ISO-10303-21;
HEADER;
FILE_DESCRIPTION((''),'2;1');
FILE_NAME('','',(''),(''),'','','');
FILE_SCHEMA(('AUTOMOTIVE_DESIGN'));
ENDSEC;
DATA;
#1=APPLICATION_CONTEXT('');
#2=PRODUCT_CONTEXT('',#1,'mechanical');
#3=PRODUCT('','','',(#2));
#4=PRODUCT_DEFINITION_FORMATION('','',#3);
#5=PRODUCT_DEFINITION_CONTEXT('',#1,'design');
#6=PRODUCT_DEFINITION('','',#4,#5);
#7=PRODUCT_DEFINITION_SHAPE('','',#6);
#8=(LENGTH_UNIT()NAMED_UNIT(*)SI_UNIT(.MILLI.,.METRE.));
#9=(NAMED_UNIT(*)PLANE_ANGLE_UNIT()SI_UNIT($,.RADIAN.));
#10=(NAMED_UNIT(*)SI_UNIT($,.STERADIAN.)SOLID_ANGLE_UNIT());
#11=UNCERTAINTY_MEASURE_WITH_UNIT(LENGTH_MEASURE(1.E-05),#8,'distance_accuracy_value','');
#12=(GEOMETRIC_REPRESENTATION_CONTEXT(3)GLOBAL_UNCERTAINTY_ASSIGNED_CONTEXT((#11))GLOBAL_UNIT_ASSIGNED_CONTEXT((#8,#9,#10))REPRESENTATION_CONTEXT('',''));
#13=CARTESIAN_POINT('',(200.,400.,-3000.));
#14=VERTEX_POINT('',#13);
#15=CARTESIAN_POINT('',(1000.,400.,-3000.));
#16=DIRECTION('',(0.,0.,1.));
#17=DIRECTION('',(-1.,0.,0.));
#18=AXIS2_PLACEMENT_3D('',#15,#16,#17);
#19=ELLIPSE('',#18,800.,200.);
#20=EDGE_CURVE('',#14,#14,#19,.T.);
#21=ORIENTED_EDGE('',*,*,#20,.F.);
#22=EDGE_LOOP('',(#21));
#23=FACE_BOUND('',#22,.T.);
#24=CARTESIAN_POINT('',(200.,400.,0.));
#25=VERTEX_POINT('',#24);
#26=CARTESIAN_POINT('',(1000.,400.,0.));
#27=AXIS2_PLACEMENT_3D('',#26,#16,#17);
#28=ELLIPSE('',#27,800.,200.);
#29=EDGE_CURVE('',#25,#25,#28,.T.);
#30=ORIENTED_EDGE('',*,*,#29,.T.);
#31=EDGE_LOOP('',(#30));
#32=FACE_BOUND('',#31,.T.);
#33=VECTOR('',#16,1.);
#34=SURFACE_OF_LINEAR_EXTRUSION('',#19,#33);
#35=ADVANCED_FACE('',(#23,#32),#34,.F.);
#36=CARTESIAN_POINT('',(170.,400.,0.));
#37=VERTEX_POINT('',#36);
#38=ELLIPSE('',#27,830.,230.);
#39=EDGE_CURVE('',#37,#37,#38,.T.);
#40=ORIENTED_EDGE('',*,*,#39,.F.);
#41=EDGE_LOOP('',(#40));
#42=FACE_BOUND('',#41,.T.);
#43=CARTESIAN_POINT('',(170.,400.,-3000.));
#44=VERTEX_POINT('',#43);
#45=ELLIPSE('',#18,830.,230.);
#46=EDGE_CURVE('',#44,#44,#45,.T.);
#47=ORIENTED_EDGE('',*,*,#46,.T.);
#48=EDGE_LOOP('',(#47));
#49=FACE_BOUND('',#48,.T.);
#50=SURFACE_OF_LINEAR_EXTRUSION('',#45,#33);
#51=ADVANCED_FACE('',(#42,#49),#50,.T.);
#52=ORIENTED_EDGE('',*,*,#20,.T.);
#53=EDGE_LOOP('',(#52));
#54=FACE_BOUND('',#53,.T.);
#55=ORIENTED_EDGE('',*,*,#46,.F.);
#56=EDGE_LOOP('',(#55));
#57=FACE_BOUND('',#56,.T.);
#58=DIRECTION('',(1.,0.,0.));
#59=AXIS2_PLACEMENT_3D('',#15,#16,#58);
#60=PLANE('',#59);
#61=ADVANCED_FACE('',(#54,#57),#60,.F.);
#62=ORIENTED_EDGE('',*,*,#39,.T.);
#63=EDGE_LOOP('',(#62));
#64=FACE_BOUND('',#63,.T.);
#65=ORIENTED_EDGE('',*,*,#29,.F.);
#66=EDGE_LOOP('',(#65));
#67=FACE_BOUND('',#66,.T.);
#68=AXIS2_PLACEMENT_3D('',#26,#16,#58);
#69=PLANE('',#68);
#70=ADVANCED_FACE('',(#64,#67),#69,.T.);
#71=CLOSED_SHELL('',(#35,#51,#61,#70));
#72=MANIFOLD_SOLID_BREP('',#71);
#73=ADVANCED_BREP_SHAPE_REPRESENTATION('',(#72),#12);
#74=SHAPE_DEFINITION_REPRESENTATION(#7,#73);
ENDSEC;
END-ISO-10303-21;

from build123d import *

# Parameters (mm, degrees)
SKETCH_1_RX     = 830
SKETCH_1_RY     = 230
SKETCH_1_RX_2   = 800
SKETCH_1_RY_2   = 200
EXTRUDE_1_DEPTH = 3000


with BuildPart() as part:
    # Эскиз1 → Вытянуть1 (new body)
    with BuildSketch(Plane.XY):
        with Locations(Location((1000, 400), (0, 0, 180))):
            Ellipse(SKETCH_1_RX, SKETCH_1_RY)
        with Locations(Location((1000, 400), (0, 0, 180))):
            Ellipse(SKETCH_1_RX_2, SKETCH_1_RY_2, mode=Mode.SUBTRACT)
    extrude(amount=-EXTRUDE_1_DEPTH)


solid = part.part
